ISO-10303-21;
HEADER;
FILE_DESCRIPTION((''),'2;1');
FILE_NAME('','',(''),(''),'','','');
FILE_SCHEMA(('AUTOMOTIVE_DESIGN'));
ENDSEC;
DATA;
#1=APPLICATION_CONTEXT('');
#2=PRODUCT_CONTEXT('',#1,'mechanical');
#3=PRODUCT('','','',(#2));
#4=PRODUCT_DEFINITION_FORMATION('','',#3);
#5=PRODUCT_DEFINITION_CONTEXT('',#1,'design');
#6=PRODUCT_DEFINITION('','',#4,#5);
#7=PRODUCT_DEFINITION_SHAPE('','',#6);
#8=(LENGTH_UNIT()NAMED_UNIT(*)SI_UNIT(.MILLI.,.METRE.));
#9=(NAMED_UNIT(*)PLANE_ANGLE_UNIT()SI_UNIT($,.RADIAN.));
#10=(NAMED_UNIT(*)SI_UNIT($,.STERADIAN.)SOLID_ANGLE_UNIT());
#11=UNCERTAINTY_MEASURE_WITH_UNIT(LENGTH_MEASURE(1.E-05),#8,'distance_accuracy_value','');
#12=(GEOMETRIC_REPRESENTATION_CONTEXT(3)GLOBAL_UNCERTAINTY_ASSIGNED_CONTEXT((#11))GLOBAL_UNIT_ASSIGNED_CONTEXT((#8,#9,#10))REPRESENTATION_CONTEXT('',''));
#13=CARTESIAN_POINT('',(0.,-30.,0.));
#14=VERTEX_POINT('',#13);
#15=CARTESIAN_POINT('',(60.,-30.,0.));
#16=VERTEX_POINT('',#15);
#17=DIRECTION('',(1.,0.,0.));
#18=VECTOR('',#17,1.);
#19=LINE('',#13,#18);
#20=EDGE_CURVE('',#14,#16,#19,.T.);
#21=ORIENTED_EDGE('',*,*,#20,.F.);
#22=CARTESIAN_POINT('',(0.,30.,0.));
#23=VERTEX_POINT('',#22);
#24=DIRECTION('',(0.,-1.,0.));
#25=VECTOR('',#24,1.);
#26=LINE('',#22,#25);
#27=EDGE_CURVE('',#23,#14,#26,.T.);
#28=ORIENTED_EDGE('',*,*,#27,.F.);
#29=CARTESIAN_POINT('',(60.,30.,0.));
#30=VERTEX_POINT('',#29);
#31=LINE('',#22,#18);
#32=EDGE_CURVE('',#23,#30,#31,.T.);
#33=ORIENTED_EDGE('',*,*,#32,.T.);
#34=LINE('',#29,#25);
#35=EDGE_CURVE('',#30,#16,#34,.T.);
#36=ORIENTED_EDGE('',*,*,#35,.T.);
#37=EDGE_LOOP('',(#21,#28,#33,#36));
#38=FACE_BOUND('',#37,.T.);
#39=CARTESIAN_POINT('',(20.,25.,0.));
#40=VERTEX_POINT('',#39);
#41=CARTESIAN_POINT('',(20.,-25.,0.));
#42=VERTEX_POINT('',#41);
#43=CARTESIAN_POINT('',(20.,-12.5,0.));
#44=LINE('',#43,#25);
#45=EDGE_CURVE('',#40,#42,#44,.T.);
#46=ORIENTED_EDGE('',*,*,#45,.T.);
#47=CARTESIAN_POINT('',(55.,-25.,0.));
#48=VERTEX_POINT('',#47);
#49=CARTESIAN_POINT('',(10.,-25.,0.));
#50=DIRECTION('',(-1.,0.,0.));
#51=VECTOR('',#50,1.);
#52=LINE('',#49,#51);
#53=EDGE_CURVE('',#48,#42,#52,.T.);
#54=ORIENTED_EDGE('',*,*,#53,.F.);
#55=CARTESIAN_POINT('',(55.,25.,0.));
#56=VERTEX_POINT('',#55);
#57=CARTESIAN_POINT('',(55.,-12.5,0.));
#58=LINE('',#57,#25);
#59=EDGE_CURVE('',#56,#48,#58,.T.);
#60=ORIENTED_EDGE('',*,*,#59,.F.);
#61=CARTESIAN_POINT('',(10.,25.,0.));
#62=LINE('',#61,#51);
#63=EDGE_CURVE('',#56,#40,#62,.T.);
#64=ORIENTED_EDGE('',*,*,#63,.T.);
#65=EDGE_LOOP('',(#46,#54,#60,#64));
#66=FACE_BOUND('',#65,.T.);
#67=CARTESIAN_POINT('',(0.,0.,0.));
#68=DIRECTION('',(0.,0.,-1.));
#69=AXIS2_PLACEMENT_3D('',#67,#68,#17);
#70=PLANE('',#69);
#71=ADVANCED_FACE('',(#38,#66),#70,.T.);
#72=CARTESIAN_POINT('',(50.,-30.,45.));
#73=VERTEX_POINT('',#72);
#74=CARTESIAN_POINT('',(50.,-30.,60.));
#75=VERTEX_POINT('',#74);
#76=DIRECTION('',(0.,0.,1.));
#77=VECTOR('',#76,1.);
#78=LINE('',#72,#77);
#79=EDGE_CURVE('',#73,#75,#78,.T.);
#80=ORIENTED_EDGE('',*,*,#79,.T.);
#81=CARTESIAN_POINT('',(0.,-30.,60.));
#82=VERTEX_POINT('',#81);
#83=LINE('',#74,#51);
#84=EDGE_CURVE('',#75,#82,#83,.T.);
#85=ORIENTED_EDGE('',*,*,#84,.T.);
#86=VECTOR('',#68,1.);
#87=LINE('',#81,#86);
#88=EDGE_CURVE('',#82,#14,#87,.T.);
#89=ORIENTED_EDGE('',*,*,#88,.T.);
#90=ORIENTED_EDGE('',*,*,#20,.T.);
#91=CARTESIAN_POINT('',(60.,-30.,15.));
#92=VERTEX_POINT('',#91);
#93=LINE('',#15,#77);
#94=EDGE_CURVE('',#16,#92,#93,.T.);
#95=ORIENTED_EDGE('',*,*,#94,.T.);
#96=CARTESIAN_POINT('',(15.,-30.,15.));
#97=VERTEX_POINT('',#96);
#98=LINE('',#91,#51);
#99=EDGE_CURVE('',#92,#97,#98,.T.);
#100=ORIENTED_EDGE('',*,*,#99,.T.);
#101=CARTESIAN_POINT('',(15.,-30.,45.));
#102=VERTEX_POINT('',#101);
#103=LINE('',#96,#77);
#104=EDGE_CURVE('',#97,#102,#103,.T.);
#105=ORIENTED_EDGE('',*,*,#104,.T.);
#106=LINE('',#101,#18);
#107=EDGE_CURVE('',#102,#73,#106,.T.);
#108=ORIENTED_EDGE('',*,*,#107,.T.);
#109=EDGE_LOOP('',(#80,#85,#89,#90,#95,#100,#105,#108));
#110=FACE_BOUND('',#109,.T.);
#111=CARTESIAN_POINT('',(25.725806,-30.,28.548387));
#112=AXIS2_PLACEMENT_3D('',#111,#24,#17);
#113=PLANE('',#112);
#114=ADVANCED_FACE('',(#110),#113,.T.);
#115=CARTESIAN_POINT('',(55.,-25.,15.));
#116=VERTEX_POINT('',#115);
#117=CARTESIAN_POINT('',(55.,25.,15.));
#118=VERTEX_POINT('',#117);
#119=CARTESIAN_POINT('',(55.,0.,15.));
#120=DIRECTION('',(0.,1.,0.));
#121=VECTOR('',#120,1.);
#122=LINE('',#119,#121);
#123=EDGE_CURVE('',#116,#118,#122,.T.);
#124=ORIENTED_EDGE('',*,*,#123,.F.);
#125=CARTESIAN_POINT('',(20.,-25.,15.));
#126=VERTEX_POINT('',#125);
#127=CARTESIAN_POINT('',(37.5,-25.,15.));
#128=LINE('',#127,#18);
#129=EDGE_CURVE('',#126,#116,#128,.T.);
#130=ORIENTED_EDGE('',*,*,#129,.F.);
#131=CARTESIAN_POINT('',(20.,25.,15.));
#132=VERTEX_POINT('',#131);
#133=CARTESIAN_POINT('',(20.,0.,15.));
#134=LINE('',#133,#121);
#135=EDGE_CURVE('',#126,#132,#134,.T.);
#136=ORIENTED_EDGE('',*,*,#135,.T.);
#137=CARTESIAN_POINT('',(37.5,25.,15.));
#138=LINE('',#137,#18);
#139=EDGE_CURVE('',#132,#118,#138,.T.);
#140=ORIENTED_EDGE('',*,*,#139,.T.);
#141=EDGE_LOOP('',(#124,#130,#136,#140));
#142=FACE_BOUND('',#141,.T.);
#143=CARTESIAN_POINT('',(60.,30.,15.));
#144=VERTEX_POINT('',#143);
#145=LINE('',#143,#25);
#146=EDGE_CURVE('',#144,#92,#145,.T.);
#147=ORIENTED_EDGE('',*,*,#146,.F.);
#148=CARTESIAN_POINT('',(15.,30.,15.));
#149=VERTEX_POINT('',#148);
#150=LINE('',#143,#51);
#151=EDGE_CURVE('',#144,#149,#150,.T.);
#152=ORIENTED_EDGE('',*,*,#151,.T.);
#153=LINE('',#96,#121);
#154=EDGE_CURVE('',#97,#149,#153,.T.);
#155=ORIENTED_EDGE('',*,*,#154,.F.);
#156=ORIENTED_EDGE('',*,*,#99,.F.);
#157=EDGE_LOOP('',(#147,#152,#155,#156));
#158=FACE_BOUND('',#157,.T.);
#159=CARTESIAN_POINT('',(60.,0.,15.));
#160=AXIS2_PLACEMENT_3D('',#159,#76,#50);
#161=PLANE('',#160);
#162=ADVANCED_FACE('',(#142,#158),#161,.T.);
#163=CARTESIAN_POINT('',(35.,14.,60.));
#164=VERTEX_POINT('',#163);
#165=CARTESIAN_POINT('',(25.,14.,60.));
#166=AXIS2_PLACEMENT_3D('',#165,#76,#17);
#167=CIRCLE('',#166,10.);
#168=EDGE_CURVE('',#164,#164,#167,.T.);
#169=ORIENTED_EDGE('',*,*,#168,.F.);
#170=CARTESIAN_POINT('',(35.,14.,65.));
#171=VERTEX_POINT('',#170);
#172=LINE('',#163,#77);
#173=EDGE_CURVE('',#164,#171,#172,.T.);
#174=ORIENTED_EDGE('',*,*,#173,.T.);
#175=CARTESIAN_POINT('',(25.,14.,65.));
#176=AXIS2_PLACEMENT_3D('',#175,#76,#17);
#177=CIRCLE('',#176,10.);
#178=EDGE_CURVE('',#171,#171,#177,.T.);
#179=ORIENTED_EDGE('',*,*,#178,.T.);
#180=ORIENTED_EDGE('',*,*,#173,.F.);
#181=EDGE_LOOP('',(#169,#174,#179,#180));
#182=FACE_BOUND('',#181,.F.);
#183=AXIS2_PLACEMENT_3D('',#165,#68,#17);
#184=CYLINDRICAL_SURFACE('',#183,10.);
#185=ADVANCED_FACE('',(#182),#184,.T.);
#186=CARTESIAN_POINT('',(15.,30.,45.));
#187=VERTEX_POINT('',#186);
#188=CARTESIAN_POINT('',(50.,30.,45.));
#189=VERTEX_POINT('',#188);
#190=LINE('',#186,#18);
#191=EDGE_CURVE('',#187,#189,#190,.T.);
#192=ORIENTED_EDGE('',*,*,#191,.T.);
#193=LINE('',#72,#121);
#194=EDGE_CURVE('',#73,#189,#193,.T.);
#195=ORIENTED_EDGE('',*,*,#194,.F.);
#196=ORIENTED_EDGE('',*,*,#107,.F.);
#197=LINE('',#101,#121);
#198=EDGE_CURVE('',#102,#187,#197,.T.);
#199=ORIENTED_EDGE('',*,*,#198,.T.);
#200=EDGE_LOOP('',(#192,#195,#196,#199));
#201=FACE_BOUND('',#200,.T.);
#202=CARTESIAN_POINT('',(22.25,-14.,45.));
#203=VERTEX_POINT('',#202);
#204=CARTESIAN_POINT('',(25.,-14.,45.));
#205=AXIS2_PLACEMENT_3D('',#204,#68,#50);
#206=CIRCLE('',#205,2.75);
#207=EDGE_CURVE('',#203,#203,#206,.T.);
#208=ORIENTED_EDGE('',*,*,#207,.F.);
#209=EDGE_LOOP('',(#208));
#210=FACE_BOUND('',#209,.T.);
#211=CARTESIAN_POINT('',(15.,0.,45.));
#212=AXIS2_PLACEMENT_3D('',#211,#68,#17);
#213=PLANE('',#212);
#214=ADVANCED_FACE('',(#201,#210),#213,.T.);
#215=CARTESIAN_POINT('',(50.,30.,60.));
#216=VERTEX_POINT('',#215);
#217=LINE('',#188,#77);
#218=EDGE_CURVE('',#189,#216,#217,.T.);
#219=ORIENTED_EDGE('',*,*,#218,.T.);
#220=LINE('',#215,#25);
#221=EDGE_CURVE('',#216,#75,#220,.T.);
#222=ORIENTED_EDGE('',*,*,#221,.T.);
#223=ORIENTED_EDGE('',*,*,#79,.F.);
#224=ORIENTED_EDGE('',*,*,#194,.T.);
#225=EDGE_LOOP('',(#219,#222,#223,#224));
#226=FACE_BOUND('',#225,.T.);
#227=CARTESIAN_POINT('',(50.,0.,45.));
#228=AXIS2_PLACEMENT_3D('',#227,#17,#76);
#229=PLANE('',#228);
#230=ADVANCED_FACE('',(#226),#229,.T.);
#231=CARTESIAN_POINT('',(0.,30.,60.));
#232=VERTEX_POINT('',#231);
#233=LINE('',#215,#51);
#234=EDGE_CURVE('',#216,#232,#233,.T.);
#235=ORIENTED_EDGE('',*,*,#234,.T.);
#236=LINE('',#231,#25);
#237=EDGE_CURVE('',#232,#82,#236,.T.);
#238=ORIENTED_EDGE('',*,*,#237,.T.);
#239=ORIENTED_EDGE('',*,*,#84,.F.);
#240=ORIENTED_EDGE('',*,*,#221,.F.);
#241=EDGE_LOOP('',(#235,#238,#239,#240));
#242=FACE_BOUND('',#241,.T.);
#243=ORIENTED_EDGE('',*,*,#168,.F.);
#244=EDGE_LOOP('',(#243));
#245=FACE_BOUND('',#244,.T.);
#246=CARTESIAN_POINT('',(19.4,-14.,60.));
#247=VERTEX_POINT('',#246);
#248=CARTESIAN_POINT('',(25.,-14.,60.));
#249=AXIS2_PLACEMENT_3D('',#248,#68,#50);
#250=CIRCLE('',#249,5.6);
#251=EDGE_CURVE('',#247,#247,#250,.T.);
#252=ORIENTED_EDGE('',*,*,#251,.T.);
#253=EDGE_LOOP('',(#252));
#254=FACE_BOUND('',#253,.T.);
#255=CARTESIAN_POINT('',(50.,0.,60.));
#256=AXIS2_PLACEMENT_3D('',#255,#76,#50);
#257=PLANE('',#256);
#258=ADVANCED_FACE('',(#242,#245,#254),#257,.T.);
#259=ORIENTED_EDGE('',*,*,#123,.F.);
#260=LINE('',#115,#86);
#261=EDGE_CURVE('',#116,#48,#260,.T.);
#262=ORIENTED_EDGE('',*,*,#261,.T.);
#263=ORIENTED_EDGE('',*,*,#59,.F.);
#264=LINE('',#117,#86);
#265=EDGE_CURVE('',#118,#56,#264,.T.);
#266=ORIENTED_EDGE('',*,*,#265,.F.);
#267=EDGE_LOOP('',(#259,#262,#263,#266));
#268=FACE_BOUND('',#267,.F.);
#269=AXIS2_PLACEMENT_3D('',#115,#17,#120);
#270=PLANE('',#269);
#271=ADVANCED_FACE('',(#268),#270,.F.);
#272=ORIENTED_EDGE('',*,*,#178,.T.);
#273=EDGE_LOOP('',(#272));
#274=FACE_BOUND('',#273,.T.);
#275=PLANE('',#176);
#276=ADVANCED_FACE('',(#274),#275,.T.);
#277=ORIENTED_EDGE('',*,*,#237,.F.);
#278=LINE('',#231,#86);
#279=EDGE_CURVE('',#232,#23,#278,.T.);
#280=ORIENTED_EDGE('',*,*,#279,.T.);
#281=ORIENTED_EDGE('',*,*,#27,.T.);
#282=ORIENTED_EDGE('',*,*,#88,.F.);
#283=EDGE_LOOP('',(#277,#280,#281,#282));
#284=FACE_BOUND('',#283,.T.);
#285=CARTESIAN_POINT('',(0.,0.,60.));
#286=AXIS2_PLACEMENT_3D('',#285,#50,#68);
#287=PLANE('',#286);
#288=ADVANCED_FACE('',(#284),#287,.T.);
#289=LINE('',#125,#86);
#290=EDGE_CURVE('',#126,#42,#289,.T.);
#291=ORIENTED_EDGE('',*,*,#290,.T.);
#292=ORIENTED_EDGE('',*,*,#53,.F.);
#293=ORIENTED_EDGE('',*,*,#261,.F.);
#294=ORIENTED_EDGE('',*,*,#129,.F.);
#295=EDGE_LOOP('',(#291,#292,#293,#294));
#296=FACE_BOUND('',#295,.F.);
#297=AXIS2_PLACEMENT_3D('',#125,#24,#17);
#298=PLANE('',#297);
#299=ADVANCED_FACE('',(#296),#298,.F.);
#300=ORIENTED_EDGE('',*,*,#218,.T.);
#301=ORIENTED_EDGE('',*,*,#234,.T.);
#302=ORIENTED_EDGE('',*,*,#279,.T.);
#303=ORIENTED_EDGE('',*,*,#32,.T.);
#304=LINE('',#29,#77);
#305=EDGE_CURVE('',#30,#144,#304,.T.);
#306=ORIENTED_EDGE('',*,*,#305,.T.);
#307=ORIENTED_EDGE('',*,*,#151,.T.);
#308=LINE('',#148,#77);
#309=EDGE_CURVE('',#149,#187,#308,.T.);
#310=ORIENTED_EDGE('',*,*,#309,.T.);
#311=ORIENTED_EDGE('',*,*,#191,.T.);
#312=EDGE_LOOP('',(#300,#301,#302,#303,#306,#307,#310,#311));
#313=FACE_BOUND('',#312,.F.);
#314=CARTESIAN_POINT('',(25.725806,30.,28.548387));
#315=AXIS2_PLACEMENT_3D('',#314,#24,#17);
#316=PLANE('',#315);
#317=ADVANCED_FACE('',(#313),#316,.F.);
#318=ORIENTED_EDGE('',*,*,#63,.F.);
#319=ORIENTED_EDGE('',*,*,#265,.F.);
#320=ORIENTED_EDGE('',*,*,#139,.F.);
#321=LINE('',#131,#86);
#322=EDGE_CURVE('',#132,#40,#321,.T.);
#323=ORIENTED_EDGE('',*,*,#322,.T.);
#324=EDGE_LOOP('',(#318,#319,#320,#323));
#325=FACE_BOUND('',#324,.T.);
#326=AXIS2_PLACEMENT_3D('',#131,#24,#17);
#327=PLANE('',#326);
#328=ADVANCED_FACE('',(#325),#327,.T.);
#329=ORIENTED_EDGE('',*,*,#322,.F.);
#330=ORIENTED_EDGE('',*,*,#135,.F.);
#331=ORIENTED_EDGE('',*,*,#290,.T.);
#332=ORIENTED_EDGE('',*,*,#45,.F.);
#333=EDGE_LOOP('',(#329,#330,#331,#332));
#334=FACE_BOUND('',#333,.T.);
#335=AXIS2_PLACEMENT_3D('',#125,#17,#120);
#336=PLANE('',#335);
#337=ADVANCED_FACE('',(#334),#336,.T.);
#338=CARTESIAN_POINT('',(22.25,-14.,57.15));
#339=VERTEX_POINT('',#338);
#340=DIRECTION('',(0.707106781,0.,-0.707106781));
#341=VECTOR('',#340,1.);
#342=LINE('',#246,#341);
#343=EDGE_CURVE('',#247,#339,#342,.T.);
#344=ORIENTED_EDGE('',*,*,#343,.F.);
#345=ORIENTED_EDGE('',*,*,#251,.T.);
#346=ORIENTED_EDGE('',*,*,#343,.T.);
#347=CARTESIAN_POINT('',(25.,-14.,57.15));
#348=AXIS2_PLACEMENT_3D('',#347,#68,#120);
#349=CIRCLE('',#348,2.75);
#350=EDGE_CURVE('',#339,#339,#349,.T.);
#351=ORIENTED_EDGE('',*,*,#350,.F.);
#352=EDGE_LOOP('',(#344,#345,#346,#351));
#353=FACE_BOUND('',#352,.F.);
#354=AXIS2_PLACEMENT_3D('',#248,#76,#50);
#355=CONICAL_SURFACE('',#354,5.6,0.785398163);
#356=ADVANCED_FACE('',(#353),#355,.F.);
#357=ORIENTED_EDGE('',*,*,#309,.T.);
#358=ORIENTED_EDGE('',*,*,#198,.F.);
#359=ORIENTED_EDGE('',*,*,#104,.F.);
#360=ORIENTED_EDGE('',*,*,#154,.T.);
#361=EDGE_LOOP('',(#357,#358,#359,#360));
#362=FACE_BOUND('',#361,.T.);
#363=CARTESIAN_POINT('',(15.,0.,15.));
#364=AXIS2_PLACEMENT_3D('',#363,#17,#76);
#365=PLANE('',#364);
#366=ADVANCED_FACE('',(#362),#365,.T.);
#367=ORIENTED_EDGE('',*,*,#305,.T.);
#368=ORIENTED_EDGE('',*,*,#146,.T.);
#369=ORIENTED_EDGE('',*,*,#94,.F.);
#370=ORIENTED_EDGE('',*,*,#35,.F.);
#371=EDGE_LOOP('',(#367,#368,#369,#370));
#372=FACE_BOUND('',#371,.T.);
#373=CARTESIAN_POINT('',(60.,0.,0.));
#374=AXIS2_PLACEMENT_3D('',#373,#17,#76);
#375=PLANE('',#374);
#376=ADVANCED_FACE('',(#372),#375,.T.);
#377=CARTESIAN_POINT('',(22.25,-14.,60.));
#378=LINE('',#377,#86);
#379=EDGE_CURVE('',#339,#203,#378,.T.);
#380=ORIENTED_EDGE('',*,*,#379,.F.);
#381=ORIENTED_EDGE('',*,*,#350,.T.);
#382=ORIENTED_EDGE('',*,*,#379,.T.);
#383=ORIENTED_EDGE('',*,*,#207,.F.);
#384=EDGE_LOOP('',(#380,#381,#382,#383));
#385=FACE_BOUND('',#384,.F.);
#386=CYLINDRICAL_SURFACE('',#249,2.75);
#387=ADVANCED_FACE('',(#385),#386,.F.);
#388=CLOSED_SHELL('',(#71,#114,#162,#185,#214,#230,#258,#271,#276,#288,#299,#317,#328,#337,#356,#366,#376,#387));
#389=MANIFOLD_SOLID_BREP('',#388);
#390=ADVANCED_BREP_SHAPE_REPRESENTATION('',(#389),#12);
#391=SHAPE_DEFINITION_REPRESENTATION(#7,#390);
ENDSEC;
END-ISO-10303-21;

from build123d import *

# Parameters (mm, degrees)
F1_DEPTH       = 30
F2_W           = 35
F2_H           = 50
F3_DEPTH       = 15.001
F5_D           = 5.5
F5_CSINK_D     = 11.2
F5_CSINK_ANGLE = 90
F4_R           = 10
F6_DEPTH       = 5
F7_R           = 8.3224131339
F8_DEPTH       = 5


with BuildPart() as f1:
    # F0 (on Front) → F1 (new body, symmetric)
    with BuildSketch(Plane.XZ):
        Polygon((50, 45), (50, 60), (0, 60), (0, 0), (60, 0), (60, 15), (15, 15), (15, 45), align=None)
    extrude(amount=F1_DEPTH, both=True)

    # F2 (on face) → F3 (cut, through all)
    with BuildSketch(Plane.XY.offset(15)):
        with Locations((37.5, 0)):
            Rectangle(F2_W, F2_H)
    extrude(amount=-F3_DEPTH, mode=Mode.SUBTRACT)

    # F5 (through all)
    with Locations(Plane.XY.offset(60)):
        with Locations((25, -14)):
            CounterSinkHole(F5_D / 2, F5_CSINK_D / 2, counter_sink_angle=F5_CSINK_ANGLE)

    # F4 (on face) → F6 (join)
    with BuildSketch(Plane.XY.offset(60)):
        with Locations((25, 14)):
            Circle(F4_R)
    extrude(amount=F6_DEPTH)

    # F7 (on face) → F8 (join)
    with BuildSketch(Plane.XY.offset(65)):
        with Locations((25, 14)):
            Circle(F7_R)
    extrude(amount=-F8_DEPTH)


solid = f1.part
